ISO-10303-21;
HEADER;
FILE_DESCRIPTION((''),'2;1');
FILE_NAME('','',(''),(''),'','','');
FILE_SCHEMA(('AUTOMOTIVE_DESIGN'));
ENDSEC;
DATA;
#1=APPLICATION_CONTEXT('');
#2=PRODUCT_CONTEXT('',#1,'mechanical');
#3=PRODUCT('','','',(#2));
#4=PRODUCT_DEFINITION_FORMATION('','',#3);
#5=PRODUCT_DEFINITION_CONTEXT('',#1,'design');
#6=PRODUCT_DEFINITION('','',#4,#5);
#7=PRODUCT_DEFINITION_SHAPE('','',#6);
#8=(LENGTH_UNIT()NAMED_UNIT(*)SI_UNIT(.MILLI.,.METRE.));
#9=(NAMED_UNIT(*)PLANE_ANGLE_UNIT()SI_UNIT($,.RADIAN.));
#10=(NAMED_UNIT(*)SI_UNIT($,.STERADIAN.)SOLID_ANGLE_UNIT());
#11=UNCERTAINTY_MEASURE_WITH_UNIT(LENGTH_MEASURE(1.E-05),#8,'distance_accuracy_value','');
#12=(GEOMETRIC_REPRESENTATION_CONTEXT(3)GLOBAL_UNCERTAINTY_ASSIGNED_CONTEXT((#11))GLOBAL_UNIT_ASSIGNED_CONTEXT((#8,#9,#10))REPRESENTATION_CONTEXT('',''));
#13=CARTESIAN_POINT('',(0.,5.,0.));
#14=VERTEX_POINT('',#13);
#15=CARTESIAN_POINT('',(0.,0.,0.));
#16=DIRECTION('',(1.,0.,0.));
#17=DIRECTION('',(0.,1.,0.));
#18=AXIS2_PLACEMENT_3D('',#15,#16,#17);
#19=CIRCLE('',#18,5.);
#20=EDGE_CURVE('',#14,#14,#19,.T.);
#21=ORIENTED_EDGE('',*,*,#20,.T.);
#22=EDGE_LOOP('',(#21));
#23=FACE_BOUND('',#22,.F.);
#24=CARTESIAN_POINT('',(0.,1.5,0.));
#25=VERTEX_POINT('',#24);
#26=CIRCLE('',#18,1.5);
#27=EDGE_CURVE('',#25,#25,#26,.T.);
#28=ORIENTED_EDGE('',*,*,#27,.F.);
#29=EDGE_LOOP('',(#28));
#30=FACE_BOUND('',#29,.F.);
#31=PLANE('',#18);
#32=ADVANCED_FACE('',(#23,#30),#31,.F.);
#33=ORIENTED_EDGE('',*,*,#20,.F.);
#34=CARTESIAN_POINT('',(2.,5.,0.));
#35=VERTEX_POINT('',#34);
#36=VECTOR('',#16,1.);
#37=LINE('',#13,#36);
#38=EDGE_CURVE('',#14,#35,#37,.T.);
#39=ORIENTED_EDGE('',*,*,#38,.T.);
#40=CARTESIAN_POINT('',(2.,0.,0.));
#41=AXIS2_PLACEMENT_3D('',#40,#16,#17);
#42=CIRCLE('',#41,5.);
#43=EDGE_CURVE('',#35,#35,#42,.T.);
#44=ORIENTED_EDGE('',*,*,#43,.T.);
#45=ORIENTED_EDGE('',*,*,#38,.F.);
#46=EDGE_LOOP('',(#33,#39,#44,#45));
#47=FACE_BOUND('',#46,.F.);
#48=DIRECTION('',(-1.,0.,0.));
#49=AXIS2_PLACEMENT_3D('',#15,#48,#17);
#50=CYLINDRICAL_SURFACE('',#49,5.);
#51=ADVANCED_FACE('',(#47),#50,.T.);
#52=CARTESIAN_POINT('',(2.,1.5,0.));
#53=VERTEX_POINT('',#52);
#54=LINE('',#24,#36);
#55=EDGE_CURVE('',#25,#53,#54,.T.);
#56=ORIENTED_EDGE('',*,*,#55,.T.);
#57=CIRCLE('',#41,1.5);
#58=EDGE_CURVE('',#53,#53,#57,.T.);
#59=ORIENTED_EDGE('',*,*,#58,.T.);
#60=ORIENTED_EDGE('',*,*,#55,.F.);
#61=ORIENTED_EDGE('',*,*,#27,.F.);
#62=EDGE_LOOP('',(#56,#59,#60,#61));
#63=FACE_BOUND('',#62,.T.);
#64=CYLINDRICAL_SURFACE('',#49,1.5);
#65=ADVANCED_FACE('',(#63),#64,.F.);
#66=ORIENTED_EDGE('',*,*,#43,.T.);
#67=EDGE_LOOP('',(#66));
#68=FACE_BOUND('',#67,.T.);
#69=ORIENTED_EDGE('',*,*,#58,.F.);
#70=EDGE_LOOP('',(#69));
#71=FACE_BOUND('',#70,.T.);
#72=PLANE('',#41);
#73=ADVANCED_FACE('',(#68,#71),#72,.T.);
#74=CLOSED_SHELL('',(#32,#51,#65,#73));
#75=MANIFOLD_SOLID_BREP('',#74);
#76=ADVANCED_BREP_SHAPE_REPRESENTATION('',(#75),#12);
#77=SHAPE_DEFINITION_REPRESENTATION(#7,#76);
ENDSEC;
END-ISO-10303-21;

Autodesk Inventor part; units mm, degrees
ref_plane "YZ Plane" through (0, 0, 0) normal (1, 0, 0) x (0, 1, 0)
ref_plane "XZ Plane" through (0, 0, 0) normal (0, 1, 0) x (-1, 0, 0)
ref_plane "XY Plane" through (0, 0, 0) normal (0, 0, 1) x (1, 0, 0)
sketch "スケッチ1" plane through (0, 0, 0) normal (1, 0, 0) x (0, 1, 0)
  circle A0 centre (0, 0) radius 5
  circle A1 centre (0, 0) radius 1.5
  dimension "d0" = 3
  dimension "d1" = 10
extrude "押し出し1" add sketch "スケッチ1" along normal blind 2
properties part number "OutSide_Gear"
